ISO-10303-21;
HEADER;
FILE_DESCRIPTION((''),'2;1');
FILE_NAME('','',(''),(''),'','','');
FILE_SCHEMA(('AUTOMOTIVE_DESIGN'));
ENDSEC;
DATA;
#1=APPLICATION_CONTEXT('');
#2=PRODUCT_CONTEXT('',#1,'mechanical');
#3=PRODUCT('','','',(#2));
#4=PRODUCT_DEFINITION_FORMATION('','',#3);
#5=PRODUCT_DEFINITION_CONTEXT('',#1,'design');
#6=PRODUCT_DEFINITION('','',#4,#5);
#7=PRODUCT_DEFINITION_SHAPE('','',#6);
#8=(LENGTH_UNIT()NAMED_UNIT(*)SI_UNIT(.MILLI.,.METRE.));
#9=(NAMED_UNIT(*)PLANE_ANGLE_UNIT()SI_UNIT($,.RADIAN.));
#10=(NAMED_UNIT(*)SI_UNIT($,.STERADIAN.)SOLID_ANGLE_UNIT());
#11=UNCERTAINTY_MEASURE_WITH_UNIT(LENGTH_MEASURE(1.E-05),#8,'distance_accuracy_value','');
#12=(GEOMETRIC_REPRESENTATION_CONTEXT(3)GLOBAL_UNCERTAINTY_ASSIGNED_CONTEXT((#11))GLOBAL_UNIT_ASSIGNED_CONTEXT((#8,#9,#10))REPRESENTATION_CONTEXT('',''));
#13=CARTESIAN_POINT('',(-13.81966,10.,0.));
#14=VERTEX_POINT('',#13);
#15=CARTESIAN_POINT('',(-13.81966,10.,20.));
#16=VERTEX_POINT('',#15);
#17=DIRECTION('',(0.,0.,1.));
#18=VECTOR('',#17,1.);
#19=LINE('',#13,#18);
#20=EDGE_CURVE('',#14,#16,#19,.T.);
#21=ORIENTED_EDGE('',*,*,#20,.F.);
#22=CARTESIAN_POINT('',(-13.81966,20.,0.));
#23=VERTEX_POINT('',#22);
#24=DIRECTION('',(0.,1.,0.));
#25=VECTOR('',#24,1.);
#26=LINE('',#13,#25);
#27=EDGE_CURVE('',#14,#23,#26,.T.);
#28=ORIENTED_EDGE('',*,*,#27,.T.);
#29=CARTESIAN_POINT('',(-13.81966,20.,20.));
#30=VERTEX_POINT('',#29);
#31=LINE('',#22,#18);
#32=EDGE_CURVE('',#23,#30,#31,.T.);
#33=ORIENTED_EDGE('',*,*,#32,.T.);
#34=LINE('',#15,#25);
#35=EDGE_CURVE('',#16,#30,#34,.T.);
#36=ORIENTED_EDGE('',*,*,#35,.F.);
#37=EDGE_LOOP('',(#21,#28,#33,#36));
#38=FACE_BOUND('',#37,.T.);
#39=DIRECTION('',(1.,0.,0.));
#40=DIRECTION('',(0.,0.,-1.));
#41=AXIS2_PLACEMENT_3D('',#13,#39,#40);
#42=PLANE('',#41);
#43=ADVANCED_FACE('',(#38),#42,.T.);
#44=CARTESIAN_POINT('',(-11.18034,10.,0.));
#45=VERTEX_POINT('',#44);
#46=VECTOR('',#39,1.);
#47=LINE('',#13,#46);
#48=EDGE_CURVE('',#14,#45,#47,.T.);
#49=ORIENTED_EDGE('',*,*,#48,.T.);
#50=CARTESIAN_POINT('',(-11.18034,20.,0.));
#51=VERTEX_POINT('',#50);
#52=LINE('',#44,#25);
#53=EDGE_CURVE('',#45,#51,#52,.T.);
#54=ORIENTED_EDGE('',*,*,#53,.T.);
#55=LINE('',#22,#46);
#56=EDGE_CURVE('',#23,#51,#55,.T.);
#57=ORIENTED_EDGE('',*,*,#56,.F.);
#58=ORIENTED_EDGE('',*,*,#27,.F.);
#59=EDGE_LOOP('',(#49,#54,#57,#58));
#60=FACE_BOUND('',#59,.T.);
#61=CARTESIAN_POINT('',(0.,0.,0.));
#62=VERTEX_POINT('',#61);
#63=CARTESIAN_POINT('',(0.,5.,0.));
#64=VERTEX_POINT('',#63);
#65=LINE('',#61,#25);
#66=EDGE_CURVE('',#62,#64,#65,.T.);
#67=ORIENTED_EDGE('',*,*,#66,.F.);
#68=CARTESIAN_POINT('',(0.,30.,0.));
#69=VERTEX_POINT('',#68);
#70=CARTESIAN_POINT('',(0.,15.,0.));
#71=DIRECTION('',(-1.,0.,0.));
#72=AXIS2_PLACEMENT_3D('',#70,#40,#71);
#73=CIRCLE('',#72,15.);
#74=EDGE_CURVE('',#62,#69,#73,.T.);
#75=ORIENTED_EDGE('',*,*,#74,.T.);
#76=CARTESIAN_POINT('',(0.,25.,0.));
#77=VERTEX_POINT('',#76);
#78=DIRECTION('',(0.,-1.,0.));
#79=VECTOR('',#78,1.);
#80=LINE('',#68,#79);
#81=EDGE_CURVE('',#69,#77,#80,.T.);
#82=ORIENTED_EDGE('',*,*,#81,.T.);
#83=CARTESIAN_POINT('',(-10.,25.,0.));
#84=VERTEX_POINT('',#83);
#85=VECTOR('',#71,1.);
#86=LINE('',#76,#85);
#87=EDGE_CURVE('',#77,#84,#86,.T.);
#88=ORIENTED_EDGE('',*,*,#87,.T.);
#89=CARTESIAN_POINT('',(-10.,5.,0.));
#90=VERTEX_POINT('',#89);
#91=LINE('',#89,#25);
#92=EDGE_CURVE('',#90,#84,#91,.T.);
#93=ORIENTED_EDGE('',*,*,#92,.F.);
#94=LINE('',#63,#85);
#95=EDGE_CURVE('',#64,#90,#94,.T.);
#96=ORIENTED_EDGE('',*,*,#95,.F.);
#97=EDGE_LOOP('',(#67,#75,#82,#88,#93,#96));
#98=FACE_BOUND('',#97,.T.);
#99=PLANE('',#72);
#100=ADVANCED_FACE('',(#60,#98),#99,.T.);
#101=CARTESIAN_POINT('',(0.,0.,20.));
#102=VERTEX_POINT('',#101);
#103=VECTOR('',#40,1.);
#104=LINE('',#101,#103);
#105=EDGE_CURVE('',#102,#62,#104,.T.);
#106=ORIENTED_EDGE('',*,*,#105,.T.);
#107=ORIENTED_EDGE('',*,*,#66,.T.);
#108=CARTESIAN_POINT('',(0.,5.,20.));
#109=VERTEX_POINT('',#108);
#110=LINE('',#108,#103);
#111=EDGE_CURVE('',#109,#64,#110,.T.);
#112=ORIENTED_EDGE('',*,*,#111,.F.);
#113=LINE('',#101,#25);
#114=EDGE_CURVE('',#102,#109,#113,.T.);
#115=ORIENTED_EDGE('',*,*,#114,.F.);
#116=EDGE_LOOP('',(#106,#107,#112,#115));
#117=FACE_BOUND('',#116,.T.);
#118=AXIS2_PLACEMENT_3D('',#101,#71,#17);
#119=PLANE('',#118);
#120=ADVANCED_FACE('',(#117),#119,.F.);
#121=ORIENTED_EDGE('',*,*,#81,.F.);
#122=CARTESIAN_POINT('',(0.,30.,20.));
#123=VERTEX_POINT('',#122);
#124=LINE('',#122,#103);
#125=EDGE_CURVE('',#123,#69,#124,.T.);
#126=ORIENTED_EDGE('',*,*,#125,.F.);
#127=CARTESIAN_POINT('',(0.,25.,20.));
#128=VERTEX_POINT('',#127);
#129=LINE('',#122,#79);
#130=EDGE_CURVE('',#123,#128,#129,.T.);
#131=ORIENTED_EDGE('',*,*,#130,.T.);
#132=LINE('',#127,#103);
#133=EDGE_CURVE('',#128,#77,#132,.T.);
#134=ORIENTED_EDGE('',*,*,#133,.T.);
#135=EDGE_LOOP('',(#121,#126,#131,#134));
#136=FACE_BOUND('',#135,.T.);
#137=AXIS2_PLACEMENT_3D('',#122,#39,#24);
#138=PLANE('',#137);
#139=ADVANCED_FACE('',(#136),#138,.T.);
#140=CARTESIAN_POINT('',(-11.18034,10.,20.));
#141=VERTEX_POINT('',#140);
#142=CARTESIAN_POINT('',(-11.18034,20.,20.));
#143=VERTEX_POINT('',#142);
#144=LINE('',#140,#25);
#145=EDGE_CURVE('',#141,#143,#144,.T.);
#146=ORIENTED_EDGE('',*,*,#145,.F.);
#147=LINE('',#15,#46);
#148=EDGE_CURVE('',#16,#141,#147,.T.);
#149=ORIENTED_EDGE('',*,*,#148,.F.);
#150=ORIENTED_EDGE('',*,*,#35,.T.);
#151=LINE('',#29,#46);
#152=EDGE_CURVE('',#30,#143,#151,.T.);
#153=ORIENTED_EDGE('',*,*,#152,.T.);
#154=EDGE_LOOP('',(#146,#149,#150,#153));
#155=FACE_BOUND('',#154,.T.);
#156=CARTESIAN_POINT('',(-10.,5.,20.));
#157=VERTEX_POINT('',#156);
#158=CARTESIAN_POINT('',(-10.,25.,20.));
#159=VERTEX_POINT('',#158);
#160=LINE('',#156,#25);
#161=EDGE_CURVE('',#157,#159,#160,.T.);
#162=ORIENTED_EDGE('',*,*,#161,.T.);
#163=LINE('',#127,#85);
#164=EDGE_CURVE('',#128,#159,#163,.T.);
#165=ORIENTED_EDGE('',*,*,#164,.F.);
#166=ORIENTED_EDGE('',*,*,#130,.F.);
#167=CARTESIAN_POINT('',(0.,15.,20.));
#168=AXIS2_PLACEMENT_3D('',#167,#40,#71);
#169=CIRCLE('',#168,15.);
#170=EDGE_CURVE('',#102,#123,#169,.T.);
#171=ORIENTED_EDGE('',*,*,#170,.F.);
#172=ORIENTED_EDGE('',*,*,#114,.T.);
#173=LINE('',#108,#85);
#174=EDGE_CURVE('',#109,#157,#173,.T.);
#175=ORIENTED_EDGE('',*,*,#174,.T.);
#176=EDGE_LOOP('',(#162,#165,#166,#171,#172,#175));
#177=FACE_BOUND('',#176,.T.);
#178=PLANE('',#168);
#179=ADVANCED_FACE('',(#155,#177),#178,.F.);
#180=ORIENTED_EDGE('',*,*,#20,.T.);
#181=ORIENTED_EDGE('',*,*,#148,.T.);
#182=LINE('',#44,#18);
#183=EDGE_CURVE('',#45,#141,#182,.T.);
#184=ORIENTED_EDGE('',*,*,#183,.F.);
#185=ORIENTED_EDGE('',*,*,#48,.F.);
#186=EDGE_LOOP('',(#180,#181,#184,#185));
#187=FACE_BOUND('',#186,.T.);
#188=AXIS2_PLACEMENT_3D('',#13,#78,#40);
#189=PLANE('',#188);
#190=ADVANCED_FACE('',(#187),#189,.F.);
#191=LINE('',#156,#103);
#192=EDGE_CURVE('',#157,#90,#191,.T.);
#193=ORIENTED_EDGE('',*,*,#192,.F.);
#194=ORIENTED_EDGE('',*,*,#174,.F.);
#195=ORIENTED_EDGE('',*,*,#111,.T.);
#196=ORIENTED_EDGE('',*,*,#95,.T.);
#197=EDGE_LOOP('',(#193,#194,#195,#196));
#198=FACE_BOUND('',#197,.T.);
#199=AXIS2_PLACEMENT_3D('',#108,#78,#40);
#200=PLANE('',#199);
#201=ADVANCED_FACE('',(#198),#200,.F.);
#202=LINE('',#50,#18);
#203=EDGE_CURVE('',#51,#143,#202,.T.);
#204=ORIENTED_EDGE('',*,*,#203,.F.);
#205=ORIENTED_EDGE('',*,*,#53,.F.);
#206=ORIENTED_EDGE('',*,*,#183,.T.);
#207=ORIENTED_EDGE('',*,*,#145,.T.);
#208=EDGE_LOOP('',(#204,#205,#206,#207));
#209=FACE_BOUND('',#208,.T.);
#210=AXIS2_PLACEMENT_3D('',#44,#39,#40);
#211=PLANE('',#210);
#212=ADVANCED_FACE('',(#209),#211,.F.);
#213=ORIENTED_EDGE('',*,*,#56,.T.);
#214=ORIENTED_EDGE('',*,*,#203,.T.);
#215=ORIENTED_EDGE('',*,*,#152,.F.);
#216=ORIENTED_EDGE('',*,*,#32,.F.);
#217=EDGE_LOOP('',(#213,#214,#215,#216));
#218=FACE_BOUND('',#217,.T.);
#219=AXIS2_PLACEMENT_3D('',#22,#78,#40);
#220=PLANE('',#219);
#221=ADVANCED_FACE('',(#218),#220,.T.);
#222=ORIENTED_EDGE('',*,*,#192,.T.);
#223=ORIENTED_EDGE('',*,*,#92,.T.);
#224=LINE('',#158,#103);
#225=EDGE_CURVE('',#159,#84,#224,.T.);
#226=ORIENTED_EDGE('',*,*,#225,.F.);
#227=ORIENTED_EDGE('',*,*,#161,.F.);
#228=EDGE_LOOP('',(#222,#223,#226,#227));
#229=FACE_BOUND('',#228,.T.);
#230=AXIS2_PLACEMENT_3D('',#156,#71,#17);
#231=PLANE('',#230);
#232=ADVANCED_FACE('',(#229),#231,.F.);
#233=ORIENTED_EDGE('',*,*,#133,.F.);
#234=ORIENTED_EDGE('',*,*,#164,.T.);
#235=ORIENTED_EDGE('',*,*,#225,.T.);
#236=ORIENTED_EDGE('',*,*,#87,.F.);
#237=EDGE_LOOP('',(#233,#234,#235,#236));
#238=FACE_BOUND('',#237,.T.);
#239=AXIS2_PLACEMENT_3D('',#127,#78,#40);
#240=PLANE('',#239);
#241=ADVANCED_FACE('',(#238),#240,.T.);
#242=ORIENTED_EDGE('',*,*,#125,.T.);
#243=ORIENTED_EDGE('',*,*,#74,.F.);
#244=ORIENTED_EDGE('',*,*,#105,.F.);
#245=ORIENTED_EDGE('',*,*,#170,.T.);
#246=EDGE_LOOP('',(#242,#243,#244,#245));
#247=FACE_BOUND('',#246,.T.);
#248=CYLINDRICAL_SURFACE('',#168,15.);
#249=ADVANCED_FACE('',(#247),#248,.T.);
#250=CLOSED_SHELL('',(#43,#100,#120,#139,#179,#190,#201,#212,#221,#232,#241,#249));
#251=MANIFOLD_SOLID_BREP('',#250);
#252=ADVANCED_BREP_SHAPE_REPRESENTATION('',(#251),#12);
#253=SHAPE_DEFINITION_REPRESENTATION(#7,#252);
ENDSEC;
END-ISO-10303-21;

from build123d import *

# Parameters (mm, degrees)
BOSS_EXTRUDE1_DEPTH = 20
SKETCH2_W           = 2.639320226
SKETCH2_H           = 10
CUT_EXTRUDE1_DEPTH  = 20


with BuildPart() as part:
    # Sketch1 → Boss-Extrude1 (new body)
    with BuildSketch(Plane(origin=(0, 0, 0), x_dir=(0, 1, 0), z_dir=(0, 0, 1))):
        with BuildLine():
            Line((0, 0), (5, 0))
            Line((5, 0), (5, 10))
            Line((5, 10), (25, 10))
            Line((25, 10), (25, 0))
            Line((25, 0), (30, 0))
            ThreePointArc((30, 0), (15, 15), (0, 0))
        make_face()
    extrude(amount=BOSS_EXTRUDE1_DEPTH)

    # Sketch2 → Cut-Extrude1 (cut)
    with BuildSketch(Plane.XY.offset(20)):
        with Locations((-12.5, 15)):
            Rectangle(SKETCH2_W, SKETCH2_H)
    extrude(amount=-CUT_EXTRUDE1_DEPTH, mode=Mode.SUBTRACT)


solid = part.part
